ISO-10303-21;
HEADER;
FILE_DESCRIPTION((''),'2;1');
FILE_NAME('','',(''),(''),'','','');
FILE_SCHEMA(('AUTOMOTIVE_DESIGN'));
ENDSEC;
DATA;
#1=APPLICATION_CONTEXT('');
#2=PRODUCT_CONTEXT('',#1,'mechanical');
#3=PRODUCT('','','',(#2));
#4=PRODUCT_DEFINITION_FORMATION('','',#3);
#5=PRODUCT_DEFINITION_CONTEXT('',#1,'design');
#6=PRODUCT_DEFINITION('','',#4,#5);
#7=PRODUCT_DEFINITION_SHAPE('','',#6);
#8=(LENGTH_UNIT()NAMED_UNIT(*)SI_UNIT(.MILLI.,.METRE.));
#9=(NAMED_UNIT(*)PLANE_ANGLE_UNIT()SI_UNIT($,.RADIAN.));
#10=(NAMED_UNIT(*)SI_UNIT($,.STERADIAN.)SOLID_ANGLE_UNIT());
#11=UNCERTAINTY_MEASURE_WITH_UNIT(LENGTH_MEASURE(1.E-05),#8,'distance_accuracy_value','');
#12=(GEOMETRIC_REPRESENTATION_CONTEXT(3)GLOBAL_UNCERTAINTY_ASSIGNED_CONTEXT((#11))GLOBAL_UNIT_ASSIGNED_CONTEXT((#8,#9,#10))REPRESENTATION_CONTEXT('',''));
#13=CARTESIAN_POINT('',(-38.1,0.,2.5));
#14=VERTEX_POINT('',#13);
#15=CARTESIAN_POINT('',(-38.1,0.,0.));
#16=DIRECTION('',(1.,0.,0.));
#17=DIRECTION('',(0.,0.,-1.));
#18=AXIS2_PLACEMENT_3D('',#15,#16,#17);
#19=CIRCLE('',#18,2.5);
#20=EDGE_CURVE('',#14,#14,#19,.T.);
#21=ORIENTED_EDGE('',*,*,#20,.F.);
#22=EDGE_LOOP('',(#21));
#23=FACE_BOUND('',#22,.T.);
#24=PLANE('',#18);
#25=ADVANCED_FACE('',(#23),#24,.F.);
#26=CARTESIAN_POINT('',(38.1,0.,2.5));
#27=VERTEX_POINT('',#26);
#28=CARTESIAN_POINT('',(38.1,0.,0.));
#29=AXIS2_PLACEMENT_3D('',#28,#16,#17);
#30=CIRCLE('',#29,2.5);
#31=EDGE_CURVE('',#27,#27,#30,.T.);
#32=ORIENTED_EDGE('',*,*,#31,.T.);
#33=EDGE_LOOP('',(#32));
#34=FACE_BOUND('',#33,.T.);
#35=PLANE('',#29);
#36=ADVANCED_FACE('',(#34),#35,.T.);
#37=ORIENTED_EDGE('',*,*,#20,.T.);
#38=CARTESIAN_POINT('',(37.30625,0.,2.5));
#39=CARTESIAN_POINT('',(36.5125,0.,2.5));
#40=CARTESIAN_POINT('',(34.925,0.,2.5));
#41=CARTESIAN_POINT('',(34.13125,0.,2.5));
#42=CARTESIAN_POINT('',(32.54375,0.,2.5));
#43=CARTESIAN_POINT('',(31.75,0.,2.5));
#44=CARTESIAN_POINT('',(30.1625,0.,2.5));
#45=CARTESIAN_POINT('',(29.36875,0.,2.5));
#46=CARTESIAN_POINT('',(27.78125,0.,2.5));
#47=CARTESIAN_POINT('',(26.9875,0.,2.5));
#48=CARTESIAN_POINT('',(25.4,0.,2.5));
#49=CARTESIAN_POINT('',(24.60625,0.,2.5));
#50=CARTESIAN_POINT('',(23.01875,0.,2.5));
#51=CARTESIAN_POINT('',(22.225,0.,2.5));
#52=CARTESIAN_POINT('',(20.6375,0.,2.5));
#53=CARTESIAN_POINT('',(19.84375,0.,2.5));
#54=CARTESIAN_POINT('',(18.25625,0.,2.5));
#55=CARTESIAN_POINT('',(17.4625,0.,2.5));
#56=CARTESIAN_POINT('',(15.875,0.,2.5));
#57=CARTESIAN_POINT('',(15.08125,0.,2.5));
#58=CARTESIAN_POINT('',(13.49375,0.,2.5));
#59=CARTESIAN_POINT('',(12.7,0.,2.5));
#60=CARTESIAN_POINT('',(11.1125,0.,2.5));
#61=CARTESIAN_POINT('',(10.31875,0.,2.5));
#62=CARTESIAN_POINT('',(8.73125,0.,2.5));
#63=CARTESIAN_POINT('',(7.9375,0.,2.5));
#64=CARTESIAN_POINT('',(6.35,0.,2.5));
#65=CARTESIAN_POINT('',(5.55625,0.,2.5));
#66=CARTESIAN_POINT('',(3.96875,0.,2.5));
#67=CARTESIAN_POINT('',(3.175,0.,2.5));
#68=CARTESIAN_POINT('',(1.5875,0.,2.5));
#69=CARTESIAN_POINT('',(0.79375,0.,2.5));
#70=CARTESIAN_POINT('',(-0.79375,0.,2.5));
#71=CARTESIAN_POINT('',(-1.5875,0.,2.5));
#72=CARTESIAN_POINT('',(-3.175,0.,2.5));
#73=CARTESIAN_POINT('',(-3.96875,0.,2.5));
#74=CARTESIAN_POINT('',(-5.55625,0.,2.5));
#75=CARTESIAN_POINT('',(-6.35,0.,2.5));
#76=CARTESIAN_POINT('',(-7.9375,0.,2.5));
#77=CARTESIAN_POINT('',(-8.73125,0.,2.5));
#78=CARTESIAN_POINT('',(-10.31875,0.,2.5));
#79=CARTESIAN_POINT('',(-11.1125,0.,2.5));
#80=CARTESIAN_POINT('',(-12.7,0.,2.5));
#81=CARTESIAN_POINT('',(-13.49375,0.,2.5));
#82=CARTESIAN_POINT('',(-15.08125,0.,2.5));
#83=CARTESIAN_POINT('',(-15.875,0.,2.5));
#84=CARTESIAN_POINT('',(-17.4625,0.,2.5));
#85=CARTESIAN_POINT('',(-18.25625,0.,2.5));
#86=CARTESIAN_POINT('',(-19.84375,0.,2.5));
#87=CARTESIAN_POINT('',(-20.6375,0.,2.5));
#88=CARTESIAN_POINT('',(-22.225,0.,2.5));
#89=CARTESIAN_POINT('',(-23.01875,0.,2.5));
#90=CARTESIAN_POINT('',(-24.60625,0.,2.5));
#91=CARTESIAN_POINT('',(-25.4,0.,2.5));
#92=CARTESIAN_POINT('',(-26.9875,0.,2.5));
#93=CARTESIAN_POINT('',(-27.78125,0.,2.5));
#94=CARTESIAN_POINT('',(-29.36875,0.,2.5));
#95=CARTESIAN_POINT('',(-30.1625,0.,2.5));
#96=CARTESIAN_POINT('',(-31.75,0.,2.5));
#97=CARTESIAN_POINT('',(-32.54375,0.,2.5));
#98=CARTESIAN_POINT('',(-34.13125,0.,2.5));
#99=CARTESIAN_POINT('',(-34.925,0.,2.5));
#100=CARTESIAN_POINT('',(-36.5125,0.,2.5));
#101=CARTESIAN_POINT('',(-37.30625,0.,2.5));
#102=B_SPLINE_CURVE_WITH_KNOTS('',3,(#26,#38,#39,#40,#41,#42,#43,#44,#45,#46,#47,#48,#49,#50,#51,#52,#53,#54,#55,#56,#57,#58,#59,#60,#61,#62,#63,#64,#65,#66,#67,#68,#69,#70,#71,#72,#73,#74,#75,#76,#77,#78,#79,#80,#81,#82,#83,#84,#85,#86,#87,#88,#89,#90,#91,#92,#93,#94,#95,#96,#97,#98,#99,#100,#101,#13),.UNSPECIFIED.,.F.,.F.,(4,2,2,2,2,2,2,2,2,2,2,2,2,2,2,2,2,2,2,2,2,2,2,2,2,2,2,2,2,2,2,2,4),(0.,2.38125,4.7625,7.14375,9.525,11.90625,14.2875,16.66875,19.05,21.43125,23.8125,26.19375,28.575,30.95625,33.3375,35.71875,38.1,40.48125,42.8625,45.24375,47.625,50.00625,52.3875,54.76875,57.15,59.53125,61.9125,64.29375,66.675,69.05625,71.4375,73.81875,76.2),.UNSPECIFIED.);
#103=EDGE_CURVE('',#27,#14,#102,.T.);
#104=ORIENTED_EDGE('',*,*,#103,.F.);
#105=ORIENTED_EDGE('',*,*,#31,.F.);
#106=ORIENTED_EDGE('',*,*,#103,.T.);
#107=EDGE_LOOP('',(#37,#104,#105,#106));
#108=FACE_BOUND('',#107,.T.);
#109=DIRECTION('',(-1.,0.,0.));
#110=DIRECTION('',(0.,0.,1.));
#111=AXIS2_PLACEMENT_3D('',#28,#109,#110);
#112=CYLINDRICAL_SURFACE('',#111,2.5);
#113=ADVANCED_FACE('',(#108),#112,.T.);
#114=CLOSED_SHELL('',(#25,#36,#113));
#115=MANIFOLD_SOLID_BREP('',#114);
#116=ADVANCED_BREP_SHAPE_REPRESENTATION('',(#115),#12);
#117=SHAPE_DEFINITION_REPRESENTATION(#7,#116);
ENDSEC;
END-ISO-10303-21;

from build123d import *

# Parameters (mm, degrees)
SKETCH1_R           = 2.5
BOSS_EXTRUDE1_DEPTH = 38.1


with BuildPart() as part:
    # Sketch1 → Boss-Extrude1 (new, symmetric)
    with BuildSketch(Plane(origin=(0, 0, 0), x_dir=(0, 0, -1), z_dir=(1, 0, 0))):
        with Locations(Location((0, 0, 0), (0, 0, 180))):
            Circle(SKETCH1_R)
    extrude(amount=BOSS_EXTRUDE1_DEPTH, both=True)


solid = part.part
